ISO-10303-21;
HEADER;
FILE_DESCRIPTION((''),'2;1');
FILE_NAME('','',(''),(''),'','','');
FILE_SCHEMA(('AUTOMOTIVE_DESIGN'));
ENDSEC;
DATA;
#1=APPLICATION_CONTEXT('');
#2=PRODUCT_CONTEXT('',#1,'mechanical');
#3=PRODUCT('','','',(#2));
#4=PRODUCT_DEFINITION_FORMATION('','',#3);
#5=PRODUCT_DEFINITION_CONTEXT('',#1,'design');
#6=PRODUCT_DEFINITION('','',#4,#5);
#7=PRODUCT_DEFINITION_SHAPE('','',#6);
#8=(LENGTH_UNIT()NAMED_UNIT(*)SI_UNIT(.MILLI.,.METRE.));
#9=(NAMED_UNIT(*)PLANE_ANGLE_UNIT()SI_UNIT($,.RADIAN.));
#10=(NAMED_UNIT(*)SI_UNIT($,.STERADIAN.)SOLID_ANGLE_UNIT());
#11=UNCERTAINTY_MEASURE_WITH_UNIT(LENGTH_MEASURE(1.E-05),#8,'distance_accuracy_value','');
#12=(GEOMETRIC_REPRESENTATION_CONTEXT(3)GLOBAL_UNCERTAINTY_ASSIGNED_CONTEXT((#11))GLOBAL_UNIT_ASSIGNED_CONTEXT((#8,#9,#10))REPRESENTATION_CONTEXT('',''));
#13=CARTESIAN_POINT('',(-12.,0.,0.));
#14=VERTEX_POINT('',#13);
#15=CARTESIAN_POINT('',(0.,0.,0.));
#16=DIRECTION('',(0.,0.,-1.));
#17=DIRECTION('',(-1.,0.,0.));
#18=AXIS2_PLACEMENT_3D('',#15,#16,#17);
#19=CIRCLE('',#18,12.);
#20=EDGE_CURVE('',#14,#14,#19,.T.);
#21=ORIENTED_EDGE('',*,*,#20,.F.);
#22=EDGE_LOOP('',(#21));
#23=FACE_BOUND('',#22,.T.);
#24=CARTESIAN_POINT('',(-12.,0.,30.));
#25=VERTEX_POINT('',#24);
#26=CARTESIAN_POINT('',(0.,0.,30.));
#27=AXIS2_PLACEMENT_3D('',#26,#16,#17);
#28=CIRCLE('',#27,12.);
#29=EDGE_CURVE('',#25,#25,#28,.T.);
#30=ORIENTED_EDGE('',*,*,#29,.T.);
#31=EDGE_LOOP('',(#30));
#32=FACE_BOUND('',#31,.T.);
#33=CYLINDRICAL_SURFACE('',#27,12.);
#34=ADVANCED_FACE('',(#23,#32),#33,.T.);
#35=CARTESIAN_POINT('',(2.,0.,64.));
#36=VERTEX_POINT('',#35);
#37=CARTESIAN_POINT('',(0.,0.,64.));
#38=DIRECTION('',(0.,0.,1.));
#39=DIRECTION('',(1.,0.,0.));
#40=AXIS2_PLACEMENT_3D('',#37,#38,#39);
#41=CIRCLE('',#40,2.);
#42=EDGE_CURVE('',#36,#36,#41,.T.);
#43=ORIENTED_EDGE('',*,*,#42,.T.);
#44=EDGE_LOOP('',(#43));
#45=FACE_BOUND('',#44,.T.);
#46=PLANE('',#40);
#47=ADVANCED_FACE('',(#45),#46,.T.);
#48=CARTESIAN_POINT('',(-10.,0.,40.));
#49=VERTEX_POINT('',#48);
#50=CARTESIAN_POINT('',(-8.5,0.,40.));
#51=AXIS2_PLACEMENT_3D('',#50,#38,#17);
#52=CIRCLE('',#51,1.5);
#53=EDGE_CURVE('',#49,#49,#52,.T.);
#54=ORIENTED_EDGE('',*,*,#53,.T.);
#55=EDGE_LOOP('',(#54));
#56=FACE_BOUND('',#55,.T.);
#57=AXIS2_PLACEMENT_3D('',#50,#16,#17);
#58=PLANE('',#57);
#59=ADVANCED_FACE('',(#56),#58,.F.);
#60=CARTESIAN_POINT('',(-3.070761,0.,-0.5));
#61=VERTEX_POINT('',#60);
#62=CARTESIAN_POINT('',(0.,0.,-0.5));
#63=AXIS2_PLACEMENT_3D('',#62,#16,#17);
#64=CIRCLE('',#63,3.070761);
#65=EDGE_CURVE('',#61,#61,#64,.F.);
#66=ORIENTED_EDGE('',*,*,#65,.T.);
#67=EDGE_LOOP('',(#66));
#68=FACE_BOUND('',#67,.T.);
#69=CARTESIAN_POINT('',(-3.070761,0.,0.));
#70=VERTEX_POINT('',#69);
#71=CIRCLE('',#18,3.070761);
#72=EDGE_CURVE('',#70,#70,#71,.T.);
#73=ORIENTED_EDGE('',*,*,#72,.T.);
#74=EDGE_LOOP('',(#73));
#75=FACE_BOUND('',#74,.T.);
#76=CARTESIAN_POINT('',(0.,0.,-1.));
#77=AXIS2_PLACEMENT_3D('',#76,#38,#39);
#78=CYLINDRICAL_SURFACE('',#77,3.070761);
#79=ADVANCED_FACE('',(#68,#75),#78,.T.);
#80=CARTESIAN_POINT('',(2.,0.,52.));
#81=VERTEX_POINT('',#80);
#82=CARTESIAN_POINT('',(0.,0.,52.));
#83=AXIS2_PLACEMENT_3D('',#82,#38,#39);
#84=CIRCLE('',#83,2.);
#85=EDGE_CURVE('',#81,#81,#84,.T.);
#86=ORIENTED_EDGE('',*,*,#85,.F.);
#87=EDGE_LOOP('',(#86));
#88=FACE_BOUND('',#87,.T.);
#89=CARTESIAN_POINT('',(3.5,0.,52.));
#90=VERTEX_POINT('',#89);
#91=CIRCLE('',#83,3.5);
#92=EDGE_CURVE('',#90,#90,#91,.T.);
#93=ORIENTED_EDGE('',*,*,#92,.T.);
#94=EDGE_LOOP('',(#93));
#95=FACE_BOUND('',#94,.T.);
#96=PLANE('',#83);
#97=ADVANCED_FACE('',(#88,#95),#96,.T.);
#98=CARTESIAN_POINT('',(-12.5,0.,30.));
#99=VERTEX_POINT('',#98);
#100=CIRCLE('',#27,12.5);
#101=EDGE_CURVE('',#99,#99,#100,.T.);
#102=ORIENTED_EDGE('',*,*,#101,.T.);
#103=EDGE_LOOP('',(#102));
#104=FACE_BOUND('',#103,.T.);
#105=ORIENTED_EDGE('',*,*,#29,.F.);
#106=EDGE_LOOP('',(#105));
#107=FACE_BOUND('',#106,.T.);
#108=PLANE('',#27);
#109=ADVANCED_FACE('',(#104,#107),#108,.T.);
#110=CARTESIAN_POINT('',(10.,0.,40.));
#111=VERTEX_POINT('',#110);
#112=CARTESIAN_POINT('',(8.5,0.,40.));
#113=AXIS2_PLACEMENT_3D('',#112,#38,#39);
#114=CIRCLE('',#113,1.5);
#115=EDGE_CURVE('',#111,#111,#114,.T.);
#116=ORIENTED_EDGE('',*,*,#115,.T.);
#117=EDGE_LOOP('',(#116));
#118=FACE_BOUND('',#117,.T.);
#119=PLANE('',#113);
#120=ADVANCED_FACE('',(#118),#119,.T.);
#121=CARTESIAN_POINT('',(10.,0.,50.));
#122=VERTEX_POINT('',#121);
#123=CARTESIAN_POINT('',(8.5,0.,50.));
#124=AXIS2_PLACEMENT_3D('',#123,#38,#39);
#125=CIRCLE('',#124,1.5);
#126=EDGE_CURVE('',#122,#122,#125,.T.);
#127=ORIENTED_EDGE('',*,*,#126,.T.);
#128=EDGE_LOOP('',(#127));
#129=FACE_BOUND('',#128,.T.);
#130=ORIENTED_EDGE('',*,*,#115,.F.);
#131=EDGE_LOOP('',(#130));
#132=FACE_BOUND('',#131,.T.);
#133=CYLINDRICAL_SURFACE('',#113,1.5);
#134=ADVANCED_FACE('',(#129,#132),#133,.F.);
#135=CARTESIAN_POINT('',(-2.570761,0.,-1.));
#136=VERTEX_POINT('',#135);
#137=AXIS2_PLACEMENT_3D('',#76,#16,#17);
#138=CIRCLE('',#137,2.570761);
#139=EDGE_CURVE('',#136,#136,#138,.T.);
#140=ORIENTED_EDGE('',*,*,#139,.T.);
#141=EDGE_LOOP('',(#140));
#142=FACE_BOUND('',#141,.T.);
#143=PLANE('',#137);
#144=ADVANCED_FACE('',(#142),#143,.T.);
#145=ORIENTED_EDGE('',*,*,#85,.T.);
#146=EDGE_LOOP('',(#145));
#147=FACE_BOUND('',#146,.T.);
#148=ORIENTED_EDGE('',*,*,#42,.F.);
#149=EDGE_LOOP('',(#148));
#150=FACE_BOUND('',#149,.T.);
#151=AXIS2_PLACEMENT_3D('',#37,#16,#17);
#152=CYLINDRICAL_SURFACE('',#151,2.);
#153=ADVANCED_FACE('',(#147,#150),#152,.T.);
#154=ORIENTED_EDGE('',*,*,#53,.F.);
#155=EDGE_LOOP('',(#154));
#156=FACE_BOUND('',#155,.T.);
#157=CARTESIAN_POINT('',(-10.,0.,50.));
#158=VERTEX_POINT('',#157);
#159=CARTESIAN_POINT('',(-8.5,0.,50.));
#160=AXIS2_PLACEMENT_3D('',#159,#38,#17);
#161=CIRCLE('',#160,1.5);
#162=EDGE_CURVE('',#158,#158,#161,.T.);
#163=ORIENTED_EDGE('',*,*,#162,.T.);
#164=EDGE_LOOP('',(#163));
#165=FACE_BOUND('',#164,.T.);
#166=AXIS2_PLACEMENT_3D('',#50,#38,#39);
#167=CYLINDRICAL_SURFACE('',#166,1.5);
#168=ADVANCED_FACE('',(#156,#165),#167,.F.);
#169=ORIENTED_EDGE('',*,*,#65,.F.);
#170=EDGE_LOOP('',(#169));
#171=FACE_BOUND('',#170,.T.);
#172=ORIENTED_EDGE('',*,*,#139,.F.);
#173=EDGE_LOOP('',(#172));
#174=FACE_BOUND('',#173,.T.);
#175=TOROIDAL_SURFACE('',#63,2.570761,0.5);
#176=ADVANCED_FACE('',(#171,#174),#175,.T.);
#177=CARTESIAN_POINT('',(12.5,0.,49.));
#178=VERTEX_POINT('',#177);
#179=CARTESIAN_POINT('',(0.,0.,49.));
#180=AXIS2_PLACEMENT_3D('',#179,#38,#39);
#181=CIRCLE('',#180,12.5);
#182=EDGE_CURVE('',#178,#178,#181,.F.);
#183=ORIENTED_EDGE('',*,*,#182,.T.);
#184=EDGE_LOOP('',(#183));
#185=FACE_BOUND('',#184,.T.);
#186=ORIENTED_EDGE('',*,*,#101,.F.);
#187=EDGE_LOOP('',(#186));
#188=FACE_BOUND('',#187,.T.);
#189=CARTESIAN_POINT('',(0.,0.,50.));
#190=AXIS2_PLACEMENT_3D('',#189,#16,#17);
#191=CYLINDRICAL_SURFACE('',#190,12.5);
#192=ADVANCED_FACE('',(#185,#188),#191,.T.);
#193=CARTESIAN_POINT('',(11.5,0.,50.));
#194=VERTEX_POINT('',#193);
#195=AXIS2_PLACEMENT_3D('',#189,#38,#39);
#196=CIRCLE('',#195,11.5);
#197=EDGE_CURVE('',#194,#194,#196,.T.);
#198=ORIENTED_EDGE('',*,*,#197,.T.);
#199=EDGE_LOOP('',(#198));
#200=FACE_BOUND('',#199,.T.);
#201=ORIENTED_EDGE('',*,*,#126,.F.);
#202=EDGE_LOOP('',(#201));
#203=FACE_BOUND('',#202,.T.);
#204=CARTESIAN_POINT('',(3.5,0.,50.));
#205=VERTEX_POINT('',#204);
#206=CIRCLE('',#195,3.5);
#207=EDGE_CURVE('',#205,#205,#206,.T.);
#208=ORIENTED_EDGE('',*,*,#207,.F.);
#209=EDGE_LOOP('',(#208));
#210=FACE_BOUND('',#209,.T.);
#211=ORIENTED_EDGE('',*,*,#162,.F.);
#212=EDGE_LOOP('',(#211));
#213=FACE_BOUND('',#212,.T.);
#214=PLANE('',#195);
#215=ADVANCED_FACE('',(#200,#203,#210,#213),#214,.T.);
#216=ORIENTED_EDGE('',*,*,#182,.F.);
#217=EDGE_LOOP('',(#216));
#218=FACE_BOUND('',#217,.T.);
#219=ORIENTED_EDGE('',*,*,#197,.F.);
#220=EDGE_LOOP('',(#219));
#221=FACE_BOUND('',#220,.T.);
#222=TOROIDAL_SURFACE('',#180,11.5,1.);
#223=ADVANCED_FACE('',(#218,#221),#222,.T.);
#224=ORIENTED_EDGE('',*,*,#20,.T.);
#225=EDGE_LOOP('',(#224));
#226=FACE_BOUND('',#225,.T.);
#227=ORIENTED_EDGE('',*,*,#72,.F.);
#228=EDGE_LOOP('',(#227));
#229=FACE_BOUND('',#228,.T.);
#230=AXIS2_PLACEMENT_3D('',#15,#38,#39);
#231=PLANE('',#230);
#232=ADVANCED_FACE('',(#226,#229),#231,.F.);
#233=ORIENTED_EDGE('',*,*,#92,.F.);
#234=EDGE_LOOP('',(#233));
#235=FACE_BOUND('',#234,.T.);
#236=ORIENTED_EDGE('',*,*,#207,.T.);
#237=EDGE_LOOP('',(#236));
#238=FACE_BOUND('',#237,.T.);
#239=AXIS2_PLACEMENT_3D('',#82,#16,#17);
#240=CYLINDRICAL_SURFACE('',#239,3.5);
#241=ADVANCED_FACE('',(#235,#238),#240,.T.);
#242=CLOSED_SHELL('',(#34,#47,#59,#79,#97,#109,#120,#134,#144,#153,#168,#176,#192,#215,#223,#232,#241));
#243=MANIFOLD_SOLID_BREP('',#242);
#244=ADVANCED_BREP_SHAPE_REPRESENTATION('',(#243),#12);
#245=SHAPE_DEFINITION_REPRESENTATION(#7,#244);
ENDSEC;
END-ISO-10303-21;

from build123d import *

# Parameters (mm, degrees)
SKETCH1_R           = 12.5
BOSS_EXTRUDE1_DEPTH = 50
SKETCH2_R           = 3.5
BOSS_EXTRUDE2_DEPTH = 2
SKETCH3_R           = 2
BOSS_EXTRUDE3_DEPTH = 12
SKETCH4_R           = 12.5
SKETCH4_R_2         = 12
CUT_EXTRUDE1_DEPTH  = 30
FILLET1_R           = 1
SKETCH5_R           = 3.070760983
BOSS_EXTRUDE4_DEPTH = 1
FILLET2_R           = 0.5
SKETCH6_R           = 1.5
CUT_EXTRUDE2_DEPTH  = 10


with BuildPart() as part:
    # Sketch1 → Boss-Extrude1 (new body)
    with BuildSketch(Plane.XY):
        Circle(SKETCH1_R)
    extrude(amount=BOSS_EXTRUDE1_DEPTH)

    # Sketch2 → Boss-Extrude2 (add)
    with BuildSketch(Plane.XY.offset(50)):
        Circle(SKETCH2_R)
    extrude(amount=BOSS_EXTRUDE2_DEPTH)

    # Sketch3 → Boss-Extrude3 (add)
    with BuildSketch(Plane.XY.offset(52)):
        Circle(SKETCH3_R)
    extrude(amount=BOSS_EXTRUDE3_DEPTH)

    # Sketch4 → Cut-Extrude1 (cut)
    with BuildSketch(Plane(origin=(0, 0, 0), x_dir=(-1, 0, 0), z_dir=(0, 0, -1))):
        Circle(SKETCH4_R)
        Circle(SKETCH4_R_2, mode=Mode.SUBTRACT)
    extrude(amount=-CUT_EXTRUDE1_DEPTH, mode=Mode.SUBTRACT)

    # Fillet1
    fillet1_edges = [part.edges().sort_by_distance(p)[0] for p in [
        (-12.5, 0, 50),
    ]]
    fillet(fillet1_edges, radius=FILLET1_R)

    # Sketch5 → Boss-Extrude4 (add)
    with BuildSketch(Plane(origin=(0, 0, 0), x_dir=(-1, 0, 0), z_dir=(0, 0, -1))):
        Circle(SKETCH5_R)
    extrude(amount=BOSS_EXTRUDE4_DEPTH)

    # Fillet2
    fillet2_edges = [part.edges().sort_by_distance(p)[0] for p in [
        (3.070760983, 0, -1),
    ]]
    fillet(fillet2_edges, radius=FILLET2_R)

    # Sketch6 → Cut-Extrude2 (cut)
    with BuildSketch(Plane.XY.offset(50)):
        with Locations((8.5, 0)):
            Circle(SKETCH6_R)
        with Locations((-8.5, 0)):
            Circle(SKETCH6_R)
    extrude(amount=-CUT_EXTRUDE2_DEPTH, mode=Mode.SUBTRACT)


solid = part.part
